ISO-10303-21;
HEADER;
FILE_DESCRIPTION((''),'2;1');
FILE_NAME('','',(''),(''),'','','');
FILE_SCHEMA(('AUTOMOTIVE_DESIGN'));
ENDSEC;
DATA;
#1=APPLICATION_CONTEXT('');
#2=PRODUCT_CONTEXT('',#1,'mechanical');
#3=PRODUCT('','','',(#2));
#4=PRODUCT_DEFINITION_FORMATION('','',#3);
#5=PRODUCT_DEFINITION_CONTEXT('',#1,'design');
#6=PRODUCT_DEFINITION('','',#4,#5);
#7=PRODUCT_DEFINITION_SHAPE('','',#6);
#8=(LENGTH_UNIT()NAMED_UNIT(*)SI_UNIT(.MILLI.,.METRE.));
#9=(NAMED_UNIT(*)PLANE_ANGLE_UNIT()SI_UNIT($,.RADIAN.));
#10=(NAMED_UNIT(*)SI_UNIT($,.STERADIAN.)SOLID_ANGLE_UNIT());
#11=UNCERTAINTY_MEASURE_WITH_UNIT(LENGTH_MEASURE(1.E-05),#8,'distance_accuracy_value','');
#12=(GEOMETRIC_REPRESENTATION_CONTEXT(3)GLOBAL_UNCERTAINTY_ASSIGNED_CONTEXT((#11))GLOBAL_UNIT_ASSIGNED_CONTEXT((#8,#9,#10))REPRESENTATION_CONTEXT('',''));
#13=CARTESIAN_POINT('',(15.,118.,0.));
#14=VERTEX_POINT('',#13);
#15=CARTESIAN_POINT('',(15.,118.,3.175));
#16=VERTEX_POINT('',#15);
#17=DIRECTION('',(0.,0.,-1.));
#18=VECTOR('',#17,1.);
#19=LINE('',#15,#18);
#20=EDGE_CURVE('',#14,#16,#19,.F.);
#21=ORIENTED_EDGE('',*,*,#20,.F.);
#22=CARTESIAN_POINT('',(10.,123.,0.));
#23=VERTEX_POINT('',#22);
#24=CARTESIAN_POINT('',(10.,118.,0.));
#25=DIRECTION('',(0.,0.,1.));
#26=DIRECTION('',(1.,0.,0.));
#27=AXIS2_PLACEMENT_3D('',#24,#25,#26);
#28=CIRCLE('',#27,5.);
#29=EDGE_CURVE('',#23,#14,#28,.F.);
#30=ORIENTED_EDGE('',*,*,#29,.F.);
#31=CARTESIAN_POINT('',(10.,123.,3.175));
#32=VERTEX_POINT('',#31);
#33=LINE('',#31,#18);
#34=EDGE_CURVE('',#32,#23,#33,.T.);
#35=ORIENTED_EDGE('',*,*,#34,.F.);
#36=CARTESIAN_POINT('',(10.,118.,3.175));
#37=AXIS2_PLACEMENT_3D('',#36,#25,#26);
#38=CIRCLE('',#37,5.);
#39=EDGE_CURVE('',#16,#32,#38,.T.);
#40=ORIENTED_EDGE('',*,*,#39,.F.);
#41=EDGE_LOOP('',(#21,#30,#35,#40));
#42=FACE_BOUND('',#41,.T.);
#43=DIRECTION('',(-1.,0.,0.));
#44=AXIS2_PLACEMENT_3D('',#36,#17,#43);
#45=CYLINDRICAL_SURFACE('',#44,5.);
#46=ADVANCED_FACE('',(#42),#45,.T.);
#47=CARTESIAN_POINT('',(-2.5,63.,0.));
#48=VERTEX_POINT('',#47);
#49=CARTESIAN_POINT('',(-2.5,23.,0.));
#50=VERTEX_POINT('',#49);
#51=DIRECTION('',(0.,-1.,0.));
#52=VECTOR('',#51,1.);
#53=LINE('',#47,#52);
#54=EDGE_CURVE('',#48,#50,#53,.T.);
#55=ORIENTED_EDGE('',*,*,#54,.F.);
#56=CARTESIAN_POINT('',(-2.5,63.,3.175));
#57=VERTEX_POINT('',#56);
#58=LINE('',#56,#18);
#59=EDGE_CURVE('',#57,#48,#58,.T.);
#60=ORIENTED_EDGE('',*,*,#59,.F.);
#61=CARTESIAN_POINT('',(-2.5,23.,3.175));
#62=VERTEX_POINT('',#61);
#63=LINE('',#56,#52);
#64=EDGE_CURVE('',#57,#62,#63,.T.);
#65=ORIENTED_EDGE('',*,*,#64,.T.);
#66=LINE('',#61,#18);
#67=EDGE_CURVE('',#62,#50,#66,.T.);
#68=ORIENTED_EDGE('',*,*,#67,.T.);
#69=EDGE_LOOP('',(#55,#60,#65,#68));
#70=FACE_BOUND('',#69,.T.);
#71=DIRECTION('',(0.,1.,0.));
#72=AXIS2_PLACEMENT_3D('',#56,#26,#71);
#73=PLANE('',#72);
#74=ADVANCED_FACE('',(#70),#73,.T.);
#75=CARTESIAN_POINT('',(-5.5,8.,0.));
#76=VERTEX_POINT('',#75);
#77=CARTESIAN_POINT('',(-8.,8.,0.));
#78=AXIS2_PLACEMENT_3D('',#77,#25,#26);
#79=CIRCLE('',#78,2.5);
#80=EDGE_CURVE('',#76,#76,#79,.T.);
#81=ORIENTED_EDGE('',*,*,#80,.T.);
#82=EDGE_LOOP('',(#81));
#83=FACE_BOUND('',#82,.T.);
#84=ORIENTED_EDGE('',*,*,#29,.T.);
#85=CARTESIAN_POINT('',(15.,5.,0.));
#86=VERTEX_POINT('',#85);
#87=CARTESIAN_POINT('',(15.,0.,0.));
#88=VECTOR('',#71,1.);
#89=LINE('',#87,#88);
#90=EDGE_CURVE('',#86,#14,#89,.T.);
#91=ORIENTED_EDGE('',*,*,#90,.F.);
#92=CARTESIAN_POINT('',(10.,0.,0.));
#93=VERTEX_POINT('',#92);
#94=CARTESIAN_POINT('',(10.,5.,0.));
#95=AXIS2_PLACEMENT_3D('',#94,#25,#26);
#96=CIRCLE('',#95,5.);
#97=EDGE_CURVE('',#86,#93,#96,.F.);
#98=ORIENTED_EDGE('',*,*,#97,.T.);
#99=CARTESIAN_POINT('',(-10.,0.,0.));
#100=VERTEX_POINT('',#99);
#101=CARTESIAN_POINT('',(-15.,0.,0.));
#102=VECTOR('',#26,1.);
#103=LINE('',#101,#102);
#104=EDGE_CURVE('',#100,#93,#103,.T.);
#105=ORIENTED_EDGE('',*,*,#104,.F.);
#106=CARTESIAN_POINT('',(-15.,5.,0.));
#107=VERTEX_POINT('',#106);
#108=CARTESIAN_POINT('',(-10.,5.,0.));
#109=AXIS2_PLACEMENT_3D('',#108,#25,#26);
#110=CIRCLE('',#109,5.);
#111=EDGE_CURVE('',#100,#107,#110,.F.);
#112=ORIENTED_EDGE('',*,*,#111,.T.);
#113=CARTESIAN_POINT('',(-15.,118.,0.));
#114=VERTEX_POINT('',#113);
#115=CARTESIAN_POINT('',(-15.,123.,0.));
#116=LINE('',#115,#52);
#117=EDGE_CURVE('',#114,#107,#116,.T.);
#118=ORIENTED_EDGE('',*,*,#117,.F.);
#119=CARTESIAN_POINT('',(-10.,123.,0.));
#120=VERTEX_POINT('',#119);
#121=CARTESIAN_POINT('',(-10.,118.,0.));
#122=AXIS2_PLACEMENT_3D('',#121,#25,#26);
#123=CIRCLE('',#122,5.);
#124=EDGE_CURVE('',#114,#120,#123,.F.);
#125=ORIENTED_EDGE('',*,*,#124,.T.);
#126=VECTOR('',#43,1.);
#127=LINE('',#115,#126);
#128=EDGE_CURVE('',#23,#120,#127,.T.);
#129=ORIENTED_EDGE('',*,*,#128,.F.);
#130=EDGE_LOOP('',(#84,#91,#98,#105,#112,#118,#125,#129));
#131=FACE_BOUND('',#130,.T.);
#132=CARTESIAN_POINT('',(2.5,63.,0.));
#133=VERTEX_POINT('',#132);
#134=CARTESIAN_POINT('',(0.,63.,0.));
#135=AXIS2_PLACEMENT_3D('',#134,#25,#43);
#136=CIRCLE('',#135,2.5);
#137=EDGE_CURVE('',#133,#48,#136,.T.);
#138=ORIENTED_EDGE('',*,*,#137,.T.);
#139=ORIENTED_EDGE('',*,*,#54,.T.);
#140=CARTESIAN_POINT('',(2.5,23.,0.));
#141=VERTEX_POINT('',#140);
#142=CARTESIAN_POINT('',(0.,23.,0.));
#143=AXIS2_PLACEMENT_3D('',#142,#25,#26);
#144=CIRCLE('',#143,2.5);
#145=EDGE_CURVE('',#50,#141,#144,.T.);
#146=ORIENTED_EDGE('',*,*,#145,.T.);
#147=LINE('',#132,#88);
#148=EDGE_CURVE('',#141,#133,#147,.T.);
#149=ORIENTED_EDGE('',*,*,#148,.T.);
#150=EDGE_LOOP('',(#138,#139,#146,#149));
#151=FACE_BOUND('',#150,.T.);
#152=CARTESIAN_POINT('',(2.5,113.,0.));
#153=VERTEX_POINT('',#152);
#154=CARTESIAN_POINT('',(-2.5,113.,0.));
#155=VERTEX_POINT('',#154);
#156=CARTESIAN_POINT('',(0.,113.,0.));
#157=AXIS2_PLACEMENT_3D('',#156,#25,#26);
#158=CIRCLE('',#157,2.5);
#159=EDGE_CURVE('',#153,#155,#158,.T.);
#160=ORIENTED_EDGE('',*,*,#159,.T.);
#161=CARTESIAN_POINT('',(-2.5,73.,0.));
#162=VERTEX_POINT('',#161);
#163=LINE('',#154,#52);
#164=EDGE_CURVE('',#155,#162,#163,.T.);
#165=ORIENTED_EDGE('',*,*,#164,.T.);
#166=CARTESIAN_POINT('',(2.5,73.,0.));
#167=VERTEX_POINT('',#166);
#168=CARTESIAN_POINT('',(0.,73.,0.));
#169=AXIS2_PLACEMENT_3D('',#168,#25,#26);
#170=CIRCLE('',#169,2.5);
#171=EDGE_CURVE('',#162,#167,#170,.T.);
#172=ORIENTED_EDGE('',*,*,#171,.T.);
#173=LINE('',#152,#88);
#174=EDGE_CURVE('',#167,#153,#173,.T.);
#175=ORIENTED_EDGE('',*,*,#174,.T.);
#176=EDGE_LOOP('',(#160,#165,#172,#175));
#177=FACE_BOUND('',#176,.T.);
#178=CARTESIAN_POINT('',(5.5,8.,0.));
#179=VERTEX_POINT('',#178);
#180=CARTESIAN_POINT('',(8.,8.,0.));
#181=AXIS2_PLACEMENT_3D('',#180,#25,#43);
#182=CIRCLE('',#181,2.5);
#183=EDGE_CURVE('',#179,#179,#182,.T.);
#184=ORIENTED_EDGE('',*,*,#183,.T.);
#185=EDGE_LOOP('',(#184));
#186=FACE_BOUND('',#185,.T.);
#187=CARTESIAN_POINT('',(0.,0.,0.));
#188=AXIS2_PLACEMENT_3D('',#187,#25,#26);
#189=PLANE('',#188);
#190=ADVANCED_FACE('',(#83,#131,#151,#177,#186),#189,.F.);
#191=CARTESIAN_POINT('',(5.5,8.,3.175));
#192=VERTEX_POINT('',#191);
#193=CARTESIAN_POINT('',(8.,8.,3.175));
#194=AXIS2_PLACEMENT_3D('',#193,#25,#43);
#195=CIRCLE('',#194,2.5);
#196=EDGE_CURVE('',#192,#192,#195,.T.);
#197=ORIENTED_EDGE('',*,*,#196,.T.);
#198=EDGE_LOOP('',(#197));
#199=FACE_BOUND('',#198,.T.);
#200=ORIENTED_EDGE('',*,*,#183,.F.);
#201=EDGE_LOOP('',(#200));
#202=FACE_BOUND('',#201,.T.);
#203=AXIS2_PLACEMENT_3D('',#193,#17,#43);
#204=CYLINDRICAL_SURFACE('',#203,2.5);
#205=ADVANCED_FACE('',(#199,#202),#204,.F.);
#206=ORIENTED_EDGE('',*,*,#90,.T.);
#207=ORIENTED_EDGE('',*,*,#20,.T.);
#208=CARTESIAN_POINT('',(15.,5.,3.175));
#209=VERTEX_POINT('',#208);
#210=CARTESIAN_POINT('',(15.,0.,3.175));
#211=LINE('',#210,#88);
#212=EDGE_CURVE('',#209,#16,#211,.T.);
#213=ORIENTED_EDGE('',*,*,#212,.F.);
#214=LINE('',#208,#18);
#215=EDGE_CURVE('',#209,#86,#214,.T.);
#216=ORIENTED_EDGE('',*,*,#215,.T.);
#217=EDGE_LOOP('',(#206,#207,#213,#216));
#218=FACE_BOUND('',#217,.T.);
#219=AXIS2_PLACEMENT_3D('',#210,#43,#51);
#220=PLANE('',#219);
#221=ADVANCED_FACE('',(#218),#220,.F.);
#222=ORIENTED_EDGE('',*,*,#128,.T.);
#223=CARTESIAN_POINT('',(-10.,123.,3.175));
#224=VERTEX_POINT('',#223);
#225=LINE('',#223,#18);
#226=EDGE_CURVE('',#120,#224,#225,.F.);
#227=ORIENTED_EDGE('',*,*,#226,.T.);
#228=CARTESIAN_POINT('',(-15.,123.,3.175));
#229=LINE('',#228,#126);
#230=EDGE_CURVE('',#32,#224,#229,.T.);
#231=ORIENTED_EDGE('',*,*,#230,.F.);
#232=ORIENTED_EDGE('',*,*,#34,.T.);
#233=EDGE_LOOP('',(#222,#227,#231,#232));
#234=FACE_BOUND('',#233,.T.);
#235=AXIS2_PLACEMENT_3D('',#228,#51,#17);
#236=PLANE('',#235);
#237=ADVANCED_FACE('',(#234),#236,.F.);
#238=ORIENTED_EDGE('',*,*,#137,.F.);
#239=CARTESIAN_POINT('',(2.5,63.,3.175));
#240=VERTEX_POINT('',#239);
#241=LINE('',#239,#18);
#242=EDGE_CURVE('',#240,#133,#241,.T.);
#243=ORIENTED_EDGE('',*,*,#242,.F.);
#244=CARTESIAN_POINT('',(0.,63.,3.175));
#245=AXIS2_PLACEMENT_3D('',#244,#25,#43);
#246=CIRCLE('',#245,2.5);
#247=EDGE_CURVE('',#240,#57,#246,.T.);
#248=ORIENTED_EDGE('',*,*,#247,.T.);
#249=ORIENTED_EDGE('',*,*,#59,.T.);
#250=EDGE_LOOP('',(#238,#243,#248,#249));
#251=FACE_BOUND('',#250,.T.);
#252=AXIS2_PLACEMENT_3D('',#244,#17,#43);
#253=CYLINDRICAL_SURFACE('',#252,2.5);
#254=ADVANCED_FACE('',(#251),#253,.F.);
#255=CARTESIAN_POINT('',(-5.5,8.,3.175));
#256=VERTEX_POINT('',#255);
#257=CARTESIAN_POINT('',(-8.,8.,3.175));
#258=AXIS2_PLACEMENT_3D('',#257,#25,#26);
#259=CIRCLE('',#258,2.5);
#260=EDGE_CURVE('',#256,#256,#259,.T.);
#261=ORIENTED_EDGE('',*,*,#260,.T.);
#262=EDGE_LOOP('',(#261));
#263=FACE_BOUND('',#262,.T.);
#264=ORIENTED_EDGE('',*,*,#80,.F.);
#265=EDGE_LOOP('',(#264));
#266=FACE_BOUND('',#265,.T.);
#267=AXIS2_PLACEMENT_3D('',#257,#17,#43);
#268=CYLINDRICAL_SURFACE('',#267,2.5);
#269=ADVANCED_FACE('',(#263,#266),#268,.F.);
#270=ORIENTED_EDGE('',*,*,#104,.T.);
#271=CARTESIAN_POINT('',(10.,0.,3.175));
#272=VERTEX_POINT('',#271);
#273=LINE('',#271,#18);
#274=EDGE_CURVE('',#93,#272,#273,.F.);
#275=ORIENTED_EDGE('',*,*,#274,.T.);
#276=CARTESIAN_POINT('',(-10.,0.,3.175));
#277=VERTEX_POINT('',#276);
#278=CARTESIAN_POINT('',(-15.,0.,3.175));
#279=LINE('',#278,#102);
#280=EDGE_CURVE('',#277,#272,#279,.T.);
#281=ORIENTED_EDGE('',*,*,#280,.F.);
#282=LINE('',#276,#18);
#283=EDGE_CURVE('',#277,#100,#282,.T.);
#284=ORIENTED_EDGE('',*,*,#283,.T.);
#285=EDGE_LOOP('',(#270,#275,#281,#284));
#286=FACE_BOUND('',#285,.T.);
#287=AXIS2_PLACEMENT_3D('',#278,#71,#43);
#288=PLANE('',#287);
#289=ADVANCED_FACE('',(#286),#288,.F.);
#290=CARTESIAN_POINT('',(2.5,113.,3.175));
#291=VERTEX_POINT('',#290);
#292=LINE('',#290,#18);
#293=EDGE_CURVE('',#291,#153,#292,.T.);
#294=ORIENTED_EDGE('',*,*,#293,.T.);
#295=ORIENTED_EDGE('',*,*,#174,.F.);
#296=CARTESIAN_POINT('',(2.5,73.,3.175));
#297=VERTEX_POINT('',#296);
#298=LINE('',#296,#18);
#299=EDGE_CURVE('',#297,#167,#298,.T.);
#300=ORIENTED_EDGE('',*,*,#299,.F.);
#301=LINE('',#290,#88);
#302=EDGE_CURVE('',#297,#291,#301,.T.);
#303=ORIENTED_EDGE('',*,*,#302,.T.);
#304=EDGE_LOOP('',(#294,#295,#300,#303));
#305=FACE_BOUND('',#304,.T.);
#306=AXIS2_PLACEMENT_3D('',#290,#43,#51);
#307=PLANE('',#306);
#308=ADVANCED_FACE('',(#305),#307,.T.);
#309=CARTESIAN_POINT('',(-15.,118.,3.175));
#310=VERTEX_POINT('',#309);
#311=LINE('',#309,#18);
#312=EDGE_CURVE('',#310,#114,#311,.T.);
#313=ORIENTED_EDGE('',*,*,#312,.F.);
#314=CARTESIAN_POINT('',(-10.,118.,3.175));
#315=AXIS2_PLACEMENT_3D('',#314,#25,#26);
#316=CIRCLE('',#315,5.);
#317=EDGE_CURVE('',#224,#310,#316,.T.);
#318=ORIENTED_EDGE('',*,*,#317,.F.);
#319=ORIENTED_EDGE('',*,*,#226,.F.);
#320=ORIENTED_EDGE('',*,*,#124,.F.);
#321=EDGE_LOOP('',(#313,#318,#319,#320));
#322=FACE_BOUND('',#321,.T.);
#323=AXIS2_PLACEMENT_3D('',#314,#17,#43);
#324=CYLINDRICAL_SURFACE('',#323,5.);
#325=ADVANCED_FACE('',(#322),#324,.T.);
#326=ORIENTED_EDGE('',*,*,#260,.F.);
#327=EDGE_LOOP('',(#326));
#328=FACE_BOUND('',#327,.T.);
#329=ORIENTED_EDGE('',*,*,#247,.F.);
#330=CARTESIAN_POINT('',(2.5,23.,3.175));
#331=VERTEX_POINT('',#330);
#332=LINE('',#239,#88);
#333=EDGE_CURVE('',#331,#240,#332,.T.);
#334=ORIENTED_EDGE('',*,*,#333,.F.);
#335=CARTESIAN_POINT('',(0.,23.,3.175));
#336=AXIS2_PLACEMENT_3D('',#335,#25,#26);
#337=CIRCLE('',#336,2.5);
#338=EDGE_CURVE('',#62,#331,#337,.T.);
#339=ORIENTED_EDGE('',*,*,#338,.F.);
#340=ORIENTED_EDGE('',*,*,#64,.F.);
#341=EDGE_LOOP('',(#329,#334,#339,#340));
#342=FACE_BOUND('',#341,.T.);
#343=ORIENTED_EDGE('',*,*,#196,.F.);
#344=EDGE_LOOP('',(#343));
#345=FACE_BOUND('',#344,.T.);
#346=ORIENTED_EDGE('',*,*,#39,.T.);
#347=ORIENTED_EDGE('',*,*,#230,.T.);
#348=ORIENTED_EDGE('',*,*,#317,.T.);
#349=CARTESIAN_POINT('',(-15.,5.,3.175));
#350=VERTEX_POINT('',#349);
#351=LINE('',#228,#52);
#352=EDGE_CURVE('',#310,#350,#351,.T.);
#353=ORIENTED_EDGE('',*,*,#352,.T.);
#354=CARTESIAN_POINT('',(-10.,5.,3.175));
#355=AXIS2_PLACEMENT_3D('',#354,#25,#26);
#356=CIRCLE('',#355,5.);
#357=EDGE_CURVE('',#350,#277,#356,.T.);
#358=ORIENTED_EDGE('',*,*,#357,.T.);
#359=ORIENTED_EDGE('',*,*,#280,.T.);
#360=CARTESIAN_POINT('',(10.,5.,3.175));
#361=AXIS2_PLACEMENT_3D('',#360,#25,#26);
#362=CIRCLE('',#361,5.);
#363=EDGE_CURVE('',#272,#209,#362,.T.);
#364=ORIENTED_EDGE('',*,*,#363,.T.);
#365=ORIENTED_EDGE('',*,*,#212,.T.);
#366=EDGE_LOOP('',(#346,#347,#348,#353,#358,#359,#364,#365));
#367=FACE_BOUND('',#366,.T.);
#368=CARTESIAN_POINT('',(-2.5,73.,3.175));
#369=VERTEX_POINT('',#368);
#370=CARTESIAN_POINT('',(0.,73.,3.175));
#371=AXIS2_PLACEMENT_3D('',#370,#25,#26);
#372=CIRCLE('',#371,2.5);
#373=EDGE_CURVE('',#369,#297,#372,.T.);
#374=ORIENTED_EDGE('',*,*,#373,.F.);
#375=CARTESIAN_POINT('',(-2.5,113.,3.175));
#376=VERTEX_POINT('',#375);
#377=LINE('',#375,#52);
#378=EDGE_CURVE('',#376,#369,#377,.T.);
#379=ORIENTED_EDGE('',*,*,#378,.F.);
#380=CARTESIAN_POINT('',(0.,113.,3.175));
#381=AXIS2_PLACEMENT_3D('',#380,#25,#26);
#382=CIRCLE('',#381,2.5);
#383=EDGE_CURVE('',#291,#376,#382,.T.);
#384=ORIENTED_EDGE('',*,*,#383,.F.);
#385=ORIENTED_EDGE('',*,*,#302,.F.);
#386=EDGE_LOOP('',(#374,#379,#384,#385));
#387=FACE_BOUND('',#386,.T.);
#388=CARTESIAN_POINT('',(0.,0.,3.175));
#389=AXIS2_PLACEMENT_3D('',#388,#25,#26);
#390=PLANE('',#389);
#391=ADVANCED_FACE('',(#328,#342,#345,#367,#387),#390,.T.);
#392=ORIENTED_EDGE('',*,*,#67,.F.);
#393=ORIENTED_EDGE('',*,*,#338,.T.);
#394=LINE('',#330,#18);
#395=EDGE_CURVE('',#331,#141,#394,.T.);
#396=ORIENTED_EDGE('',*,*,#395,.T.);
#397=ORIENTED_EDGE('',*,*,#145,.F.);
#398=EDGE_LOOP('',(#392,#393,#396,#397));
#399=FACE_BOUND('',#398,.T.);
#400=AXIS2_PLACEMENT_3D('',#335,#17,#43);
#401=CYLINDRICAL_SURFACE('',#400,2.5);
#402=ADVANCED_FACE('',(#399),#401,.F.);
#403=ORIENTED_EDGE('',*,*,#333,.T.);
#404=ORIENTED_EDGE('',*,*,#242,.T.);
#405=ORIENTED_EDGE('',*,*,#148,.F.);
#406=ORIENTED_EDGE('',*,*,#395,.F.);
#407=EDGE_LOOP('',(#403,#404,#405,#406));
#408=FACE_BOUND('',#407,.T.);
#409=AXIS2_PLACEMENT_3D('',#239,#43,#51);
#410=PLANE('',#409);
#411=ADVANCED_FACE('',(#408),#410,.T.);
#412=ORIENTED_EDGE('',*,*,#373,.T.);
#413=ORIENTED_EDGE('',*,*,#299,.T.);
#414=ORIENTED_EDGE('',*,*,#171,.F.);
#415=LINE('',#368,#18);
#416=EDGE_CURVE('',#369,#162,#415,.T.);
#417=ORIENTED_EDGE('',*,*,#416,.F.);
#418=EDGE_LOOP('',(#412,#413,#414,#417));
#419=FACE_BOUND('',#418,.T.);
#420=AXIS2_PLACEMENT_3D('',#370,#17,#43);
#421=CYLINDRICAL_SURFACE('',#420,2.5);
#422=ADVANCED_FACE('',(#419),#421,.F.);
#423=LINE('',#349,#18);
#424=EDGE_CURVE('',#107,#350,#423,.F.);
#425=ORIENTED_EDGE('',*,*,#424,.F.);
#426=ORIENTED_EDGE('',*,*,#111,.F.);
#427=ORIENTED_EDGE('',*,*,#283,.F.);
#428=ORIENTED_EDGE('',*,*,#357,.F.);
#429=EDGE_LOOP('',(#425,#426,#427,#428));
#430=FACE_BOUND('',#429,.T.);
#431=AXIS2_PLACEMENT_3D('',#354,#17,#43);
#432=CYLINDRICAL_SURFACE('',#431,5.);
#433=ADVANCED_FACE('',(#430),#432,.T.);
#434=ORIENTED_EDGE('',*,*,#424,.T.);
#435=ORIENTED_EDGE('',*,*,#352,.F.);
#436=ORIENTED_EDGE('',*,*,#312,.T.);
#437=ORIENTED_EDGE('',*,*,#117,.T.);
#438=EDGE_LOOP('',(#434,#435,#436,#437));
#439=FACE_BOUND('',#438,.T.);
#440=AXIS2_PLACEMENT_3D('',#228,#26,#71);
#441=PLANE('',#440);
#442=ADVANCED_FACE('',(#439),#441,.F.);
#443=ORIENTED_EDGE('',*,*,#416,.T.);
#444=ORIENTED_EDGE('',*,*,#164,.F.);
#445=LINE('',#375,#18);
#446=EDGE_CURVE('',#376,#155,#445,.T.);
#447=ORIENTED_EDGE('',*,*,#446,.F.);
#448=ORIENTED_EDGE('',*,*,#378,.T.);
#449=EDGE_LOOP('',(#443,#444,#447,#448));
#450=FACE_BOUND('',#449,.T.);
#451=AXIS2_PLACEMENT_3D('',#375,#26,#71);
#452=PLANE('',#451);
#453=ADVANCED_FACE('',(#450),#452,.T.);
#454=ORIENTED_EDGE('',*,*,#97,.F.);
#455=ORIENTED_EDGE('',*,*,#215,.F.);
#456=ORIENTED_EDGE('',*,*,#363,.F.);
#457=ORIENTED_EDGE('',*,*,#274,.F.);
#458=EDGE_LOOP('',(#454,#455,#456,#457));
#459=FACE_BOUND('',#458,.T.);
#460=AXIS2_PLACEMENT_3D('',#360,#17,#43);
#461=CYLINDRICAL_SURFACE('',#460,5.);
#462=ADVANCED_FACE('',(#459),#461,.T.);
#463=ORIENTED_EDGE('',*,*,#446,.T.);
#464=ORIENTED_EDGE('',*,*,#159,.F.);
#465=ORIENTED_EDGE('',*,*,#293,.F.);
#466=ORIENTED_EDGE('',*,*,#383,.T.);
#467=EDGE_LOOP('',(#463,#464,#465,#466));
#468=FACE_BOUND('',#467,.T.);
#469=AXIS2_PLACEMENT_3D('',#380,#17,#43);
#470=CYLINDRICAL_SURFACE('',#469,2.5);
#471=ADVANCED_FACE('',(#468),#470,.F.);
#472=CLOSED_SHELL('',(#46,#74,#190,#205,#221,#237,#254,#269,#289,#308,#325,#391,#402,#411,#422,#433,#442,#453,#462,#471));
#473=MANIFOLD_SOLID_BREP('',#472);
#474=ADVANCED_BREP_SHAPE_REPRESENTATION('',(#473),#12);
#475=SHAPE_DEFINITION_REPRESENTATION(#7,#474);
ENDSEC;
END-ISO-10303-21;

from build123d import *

# Parameters (mm, degrees)
SKETCH1_W           = 30
SKETCH1_H           = 123
SKETCH1_R           = 2.5
BOSS_EXTRUDE1_DEPTH = 3.175
FILLET2_R           = 5


with BuildPart() as part:
    # Sketch1 → Boss-Extrude1 (new body)
    with BuildSketch(Plane.XY):
        with Locations((0, 61.5)):
            Rectangle(SKETCH1_W, SKETCH1_H)
        with Locations((-8, 8)):
            Circle(SKETCH1_R, mode=Mode.SUBTRACT)
        with Locations(Location((8, 8, 0), (0, 0, 180))):
            Circle(SKETCH1_R, mode=Mode.SUBTRACT)
        with BuildLine():
            Line((2.5, 113), (2.5, 73))
            ThreePointArc((2.5, 73), (0, 70.5), (-2.5, 73))
            Line((-2.5, 73), (-2.5, 113))
            ThreePointArc((-2.5, 113), (0, 115.5), (2.5, 113))
        make_face(mode=Mode.SUBTRACT)
        with BuildLine():
            Line((-2.5, 63), (-2.5, 23))
            ThreePointArc((-2.5, 23), (0, 20.5), (2.5, 23))
            Line((2.5, 23), (2.5, 63))
            ThreePointArc((2.5, 63), (0, 65.5), (-2.5, 63))
        make_face(mode=Mode.SUBTRACT)
    extrude(amount=BOSS_EXTRUDE1_DEPTH)

    # Fillet2
    fillet2_edges = [part.edges().sort_by_distance(p)[0] for p in [
        (15, 123, 1.5875),
        (15, 0, 1.5875),
        (-15, 0, 1.5875),
        (-15, 123, 1.5875),
    ]]
    fillet(fillet2_edges, radius=FILLET2_R)


solid = part.part
